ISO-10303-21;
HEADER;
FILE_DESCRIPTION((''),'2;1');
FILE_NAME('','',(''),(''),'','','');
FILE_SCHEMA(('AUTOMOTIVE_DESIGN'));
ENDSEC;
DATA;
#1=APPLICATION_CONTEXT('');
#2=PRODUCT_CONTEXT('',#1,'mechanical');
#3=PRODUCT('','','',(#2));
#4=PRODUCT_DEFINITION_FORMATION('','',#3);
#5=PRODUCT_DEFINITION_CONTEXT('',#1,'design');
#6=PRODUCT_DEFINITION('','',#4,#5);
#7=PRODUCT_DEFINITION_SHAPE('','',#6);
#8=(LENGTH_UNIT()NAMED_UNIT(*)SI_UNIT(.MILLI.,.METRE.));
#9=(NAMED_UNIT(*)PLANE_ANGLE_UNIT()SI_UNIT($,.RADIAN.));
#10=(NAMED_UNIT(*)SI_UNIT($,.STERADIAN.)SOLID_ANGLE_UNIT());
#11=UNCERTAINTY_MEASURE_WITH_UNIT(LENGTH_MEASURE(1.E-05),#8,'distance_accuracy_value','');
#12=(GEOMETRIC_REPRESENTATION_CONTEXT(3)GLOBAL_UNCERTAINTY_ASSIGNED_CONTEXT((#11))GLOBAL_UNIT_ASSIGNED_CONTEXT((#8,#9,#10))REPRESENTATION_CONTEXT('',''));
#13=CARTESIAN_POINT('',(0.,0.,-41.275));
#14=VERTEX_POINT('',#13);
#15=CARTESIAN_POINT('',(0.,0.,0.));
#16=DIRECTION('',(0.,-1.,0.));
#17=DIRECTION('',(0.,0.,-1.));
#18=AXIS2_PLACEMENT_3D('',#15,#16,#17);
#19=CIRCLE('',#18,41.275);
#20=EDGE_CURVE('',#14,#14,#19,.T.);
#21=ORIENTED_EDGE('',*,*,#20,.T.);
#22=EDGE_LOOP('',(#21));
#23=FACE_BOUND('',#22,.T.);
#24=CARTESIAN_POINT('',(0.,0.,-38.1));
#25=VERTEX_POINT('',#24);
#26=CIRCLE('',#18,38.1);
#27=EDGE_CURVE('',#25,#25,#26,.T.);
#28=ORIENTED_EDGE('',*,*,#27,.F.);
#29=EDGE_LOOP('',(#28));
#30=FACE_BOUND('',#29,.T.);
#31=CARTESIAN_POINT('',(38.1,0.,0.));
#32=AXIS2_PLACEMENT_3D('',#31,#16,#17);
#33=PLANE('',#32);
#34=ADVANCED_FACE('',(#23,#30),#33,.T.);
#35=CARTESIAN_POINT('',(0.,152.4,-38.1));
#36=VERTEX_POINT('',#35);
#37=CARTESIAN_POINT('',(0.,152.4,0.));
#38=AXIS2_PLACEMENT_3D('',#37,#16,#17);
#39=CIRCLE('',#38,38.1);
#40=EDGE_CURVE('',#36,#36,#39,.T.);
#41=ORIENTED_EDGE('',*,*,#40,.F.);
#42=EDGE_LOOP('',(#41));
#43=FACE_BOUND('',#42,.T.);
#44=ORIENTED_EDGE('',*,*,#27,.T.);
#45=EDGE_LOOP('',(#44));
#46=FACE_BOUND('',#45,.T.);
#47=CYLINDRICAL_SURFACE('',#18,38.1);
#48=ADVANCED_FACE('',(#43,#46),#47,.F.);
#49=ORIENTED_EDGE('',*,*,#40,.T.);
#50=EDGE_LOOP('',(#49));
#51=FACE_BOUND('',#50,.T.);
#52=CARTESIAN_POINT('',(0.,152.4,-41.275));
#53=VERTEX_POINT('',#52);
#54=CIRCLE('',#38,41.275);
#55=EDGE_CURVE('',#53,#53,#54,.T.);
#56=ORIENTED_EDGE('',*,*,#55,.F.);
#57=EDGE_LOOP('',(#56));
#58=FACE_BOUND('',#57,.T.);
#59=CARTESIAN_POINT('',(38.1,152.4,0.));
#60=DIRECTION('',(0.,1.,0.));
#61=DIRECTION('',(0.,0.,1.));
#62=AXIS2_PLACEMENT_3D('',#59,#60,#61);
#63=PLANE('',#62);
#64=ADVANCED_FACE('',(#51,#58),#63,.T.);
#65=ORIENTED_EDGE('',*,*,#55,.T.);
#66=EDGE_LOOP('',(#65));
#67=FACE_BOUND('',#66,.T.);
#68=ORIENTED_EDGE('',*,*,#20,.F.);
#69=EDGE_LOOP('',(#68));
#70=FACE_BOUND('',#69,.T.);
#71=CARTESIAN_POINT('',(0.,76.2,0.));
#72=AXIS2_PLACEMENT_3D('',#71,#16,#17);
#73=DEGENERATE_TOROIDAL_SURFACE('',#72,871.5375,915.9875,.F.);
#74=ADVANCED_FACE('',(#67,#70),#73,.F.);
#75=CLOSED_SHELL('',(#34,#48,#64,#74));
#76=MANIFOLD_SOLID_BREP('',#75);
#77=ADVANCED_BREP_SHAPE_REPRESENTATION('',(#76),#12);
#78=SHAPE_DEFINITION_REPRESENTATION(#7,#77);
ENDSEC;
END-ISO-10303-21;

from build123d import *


with BuildPart() as part:
    # Sketch2 → Revolve1 (revolve)
    with BuildSketch(Plane.XY, mode=Mode.PRIVATE) as revolve1_sk:
        with BuildLine():
            Line((38.1, 152.4), (38.1, 0))
            Line((38.1, 0), (41.275, 0))
            ThreePointArc((41.275, 0), (44.45, 76.2), (41.275, 152.4))
            Line((41.275, 152.4), (38.1, 152.4))
        make_face()
    revolve(revolve1_sk.sketch.rotate(Axis((0, 0, 0), (0, 1, 0)), 90), axis=Axis((0, 0, 0), (0, 1, 0)))


solid = part.part
